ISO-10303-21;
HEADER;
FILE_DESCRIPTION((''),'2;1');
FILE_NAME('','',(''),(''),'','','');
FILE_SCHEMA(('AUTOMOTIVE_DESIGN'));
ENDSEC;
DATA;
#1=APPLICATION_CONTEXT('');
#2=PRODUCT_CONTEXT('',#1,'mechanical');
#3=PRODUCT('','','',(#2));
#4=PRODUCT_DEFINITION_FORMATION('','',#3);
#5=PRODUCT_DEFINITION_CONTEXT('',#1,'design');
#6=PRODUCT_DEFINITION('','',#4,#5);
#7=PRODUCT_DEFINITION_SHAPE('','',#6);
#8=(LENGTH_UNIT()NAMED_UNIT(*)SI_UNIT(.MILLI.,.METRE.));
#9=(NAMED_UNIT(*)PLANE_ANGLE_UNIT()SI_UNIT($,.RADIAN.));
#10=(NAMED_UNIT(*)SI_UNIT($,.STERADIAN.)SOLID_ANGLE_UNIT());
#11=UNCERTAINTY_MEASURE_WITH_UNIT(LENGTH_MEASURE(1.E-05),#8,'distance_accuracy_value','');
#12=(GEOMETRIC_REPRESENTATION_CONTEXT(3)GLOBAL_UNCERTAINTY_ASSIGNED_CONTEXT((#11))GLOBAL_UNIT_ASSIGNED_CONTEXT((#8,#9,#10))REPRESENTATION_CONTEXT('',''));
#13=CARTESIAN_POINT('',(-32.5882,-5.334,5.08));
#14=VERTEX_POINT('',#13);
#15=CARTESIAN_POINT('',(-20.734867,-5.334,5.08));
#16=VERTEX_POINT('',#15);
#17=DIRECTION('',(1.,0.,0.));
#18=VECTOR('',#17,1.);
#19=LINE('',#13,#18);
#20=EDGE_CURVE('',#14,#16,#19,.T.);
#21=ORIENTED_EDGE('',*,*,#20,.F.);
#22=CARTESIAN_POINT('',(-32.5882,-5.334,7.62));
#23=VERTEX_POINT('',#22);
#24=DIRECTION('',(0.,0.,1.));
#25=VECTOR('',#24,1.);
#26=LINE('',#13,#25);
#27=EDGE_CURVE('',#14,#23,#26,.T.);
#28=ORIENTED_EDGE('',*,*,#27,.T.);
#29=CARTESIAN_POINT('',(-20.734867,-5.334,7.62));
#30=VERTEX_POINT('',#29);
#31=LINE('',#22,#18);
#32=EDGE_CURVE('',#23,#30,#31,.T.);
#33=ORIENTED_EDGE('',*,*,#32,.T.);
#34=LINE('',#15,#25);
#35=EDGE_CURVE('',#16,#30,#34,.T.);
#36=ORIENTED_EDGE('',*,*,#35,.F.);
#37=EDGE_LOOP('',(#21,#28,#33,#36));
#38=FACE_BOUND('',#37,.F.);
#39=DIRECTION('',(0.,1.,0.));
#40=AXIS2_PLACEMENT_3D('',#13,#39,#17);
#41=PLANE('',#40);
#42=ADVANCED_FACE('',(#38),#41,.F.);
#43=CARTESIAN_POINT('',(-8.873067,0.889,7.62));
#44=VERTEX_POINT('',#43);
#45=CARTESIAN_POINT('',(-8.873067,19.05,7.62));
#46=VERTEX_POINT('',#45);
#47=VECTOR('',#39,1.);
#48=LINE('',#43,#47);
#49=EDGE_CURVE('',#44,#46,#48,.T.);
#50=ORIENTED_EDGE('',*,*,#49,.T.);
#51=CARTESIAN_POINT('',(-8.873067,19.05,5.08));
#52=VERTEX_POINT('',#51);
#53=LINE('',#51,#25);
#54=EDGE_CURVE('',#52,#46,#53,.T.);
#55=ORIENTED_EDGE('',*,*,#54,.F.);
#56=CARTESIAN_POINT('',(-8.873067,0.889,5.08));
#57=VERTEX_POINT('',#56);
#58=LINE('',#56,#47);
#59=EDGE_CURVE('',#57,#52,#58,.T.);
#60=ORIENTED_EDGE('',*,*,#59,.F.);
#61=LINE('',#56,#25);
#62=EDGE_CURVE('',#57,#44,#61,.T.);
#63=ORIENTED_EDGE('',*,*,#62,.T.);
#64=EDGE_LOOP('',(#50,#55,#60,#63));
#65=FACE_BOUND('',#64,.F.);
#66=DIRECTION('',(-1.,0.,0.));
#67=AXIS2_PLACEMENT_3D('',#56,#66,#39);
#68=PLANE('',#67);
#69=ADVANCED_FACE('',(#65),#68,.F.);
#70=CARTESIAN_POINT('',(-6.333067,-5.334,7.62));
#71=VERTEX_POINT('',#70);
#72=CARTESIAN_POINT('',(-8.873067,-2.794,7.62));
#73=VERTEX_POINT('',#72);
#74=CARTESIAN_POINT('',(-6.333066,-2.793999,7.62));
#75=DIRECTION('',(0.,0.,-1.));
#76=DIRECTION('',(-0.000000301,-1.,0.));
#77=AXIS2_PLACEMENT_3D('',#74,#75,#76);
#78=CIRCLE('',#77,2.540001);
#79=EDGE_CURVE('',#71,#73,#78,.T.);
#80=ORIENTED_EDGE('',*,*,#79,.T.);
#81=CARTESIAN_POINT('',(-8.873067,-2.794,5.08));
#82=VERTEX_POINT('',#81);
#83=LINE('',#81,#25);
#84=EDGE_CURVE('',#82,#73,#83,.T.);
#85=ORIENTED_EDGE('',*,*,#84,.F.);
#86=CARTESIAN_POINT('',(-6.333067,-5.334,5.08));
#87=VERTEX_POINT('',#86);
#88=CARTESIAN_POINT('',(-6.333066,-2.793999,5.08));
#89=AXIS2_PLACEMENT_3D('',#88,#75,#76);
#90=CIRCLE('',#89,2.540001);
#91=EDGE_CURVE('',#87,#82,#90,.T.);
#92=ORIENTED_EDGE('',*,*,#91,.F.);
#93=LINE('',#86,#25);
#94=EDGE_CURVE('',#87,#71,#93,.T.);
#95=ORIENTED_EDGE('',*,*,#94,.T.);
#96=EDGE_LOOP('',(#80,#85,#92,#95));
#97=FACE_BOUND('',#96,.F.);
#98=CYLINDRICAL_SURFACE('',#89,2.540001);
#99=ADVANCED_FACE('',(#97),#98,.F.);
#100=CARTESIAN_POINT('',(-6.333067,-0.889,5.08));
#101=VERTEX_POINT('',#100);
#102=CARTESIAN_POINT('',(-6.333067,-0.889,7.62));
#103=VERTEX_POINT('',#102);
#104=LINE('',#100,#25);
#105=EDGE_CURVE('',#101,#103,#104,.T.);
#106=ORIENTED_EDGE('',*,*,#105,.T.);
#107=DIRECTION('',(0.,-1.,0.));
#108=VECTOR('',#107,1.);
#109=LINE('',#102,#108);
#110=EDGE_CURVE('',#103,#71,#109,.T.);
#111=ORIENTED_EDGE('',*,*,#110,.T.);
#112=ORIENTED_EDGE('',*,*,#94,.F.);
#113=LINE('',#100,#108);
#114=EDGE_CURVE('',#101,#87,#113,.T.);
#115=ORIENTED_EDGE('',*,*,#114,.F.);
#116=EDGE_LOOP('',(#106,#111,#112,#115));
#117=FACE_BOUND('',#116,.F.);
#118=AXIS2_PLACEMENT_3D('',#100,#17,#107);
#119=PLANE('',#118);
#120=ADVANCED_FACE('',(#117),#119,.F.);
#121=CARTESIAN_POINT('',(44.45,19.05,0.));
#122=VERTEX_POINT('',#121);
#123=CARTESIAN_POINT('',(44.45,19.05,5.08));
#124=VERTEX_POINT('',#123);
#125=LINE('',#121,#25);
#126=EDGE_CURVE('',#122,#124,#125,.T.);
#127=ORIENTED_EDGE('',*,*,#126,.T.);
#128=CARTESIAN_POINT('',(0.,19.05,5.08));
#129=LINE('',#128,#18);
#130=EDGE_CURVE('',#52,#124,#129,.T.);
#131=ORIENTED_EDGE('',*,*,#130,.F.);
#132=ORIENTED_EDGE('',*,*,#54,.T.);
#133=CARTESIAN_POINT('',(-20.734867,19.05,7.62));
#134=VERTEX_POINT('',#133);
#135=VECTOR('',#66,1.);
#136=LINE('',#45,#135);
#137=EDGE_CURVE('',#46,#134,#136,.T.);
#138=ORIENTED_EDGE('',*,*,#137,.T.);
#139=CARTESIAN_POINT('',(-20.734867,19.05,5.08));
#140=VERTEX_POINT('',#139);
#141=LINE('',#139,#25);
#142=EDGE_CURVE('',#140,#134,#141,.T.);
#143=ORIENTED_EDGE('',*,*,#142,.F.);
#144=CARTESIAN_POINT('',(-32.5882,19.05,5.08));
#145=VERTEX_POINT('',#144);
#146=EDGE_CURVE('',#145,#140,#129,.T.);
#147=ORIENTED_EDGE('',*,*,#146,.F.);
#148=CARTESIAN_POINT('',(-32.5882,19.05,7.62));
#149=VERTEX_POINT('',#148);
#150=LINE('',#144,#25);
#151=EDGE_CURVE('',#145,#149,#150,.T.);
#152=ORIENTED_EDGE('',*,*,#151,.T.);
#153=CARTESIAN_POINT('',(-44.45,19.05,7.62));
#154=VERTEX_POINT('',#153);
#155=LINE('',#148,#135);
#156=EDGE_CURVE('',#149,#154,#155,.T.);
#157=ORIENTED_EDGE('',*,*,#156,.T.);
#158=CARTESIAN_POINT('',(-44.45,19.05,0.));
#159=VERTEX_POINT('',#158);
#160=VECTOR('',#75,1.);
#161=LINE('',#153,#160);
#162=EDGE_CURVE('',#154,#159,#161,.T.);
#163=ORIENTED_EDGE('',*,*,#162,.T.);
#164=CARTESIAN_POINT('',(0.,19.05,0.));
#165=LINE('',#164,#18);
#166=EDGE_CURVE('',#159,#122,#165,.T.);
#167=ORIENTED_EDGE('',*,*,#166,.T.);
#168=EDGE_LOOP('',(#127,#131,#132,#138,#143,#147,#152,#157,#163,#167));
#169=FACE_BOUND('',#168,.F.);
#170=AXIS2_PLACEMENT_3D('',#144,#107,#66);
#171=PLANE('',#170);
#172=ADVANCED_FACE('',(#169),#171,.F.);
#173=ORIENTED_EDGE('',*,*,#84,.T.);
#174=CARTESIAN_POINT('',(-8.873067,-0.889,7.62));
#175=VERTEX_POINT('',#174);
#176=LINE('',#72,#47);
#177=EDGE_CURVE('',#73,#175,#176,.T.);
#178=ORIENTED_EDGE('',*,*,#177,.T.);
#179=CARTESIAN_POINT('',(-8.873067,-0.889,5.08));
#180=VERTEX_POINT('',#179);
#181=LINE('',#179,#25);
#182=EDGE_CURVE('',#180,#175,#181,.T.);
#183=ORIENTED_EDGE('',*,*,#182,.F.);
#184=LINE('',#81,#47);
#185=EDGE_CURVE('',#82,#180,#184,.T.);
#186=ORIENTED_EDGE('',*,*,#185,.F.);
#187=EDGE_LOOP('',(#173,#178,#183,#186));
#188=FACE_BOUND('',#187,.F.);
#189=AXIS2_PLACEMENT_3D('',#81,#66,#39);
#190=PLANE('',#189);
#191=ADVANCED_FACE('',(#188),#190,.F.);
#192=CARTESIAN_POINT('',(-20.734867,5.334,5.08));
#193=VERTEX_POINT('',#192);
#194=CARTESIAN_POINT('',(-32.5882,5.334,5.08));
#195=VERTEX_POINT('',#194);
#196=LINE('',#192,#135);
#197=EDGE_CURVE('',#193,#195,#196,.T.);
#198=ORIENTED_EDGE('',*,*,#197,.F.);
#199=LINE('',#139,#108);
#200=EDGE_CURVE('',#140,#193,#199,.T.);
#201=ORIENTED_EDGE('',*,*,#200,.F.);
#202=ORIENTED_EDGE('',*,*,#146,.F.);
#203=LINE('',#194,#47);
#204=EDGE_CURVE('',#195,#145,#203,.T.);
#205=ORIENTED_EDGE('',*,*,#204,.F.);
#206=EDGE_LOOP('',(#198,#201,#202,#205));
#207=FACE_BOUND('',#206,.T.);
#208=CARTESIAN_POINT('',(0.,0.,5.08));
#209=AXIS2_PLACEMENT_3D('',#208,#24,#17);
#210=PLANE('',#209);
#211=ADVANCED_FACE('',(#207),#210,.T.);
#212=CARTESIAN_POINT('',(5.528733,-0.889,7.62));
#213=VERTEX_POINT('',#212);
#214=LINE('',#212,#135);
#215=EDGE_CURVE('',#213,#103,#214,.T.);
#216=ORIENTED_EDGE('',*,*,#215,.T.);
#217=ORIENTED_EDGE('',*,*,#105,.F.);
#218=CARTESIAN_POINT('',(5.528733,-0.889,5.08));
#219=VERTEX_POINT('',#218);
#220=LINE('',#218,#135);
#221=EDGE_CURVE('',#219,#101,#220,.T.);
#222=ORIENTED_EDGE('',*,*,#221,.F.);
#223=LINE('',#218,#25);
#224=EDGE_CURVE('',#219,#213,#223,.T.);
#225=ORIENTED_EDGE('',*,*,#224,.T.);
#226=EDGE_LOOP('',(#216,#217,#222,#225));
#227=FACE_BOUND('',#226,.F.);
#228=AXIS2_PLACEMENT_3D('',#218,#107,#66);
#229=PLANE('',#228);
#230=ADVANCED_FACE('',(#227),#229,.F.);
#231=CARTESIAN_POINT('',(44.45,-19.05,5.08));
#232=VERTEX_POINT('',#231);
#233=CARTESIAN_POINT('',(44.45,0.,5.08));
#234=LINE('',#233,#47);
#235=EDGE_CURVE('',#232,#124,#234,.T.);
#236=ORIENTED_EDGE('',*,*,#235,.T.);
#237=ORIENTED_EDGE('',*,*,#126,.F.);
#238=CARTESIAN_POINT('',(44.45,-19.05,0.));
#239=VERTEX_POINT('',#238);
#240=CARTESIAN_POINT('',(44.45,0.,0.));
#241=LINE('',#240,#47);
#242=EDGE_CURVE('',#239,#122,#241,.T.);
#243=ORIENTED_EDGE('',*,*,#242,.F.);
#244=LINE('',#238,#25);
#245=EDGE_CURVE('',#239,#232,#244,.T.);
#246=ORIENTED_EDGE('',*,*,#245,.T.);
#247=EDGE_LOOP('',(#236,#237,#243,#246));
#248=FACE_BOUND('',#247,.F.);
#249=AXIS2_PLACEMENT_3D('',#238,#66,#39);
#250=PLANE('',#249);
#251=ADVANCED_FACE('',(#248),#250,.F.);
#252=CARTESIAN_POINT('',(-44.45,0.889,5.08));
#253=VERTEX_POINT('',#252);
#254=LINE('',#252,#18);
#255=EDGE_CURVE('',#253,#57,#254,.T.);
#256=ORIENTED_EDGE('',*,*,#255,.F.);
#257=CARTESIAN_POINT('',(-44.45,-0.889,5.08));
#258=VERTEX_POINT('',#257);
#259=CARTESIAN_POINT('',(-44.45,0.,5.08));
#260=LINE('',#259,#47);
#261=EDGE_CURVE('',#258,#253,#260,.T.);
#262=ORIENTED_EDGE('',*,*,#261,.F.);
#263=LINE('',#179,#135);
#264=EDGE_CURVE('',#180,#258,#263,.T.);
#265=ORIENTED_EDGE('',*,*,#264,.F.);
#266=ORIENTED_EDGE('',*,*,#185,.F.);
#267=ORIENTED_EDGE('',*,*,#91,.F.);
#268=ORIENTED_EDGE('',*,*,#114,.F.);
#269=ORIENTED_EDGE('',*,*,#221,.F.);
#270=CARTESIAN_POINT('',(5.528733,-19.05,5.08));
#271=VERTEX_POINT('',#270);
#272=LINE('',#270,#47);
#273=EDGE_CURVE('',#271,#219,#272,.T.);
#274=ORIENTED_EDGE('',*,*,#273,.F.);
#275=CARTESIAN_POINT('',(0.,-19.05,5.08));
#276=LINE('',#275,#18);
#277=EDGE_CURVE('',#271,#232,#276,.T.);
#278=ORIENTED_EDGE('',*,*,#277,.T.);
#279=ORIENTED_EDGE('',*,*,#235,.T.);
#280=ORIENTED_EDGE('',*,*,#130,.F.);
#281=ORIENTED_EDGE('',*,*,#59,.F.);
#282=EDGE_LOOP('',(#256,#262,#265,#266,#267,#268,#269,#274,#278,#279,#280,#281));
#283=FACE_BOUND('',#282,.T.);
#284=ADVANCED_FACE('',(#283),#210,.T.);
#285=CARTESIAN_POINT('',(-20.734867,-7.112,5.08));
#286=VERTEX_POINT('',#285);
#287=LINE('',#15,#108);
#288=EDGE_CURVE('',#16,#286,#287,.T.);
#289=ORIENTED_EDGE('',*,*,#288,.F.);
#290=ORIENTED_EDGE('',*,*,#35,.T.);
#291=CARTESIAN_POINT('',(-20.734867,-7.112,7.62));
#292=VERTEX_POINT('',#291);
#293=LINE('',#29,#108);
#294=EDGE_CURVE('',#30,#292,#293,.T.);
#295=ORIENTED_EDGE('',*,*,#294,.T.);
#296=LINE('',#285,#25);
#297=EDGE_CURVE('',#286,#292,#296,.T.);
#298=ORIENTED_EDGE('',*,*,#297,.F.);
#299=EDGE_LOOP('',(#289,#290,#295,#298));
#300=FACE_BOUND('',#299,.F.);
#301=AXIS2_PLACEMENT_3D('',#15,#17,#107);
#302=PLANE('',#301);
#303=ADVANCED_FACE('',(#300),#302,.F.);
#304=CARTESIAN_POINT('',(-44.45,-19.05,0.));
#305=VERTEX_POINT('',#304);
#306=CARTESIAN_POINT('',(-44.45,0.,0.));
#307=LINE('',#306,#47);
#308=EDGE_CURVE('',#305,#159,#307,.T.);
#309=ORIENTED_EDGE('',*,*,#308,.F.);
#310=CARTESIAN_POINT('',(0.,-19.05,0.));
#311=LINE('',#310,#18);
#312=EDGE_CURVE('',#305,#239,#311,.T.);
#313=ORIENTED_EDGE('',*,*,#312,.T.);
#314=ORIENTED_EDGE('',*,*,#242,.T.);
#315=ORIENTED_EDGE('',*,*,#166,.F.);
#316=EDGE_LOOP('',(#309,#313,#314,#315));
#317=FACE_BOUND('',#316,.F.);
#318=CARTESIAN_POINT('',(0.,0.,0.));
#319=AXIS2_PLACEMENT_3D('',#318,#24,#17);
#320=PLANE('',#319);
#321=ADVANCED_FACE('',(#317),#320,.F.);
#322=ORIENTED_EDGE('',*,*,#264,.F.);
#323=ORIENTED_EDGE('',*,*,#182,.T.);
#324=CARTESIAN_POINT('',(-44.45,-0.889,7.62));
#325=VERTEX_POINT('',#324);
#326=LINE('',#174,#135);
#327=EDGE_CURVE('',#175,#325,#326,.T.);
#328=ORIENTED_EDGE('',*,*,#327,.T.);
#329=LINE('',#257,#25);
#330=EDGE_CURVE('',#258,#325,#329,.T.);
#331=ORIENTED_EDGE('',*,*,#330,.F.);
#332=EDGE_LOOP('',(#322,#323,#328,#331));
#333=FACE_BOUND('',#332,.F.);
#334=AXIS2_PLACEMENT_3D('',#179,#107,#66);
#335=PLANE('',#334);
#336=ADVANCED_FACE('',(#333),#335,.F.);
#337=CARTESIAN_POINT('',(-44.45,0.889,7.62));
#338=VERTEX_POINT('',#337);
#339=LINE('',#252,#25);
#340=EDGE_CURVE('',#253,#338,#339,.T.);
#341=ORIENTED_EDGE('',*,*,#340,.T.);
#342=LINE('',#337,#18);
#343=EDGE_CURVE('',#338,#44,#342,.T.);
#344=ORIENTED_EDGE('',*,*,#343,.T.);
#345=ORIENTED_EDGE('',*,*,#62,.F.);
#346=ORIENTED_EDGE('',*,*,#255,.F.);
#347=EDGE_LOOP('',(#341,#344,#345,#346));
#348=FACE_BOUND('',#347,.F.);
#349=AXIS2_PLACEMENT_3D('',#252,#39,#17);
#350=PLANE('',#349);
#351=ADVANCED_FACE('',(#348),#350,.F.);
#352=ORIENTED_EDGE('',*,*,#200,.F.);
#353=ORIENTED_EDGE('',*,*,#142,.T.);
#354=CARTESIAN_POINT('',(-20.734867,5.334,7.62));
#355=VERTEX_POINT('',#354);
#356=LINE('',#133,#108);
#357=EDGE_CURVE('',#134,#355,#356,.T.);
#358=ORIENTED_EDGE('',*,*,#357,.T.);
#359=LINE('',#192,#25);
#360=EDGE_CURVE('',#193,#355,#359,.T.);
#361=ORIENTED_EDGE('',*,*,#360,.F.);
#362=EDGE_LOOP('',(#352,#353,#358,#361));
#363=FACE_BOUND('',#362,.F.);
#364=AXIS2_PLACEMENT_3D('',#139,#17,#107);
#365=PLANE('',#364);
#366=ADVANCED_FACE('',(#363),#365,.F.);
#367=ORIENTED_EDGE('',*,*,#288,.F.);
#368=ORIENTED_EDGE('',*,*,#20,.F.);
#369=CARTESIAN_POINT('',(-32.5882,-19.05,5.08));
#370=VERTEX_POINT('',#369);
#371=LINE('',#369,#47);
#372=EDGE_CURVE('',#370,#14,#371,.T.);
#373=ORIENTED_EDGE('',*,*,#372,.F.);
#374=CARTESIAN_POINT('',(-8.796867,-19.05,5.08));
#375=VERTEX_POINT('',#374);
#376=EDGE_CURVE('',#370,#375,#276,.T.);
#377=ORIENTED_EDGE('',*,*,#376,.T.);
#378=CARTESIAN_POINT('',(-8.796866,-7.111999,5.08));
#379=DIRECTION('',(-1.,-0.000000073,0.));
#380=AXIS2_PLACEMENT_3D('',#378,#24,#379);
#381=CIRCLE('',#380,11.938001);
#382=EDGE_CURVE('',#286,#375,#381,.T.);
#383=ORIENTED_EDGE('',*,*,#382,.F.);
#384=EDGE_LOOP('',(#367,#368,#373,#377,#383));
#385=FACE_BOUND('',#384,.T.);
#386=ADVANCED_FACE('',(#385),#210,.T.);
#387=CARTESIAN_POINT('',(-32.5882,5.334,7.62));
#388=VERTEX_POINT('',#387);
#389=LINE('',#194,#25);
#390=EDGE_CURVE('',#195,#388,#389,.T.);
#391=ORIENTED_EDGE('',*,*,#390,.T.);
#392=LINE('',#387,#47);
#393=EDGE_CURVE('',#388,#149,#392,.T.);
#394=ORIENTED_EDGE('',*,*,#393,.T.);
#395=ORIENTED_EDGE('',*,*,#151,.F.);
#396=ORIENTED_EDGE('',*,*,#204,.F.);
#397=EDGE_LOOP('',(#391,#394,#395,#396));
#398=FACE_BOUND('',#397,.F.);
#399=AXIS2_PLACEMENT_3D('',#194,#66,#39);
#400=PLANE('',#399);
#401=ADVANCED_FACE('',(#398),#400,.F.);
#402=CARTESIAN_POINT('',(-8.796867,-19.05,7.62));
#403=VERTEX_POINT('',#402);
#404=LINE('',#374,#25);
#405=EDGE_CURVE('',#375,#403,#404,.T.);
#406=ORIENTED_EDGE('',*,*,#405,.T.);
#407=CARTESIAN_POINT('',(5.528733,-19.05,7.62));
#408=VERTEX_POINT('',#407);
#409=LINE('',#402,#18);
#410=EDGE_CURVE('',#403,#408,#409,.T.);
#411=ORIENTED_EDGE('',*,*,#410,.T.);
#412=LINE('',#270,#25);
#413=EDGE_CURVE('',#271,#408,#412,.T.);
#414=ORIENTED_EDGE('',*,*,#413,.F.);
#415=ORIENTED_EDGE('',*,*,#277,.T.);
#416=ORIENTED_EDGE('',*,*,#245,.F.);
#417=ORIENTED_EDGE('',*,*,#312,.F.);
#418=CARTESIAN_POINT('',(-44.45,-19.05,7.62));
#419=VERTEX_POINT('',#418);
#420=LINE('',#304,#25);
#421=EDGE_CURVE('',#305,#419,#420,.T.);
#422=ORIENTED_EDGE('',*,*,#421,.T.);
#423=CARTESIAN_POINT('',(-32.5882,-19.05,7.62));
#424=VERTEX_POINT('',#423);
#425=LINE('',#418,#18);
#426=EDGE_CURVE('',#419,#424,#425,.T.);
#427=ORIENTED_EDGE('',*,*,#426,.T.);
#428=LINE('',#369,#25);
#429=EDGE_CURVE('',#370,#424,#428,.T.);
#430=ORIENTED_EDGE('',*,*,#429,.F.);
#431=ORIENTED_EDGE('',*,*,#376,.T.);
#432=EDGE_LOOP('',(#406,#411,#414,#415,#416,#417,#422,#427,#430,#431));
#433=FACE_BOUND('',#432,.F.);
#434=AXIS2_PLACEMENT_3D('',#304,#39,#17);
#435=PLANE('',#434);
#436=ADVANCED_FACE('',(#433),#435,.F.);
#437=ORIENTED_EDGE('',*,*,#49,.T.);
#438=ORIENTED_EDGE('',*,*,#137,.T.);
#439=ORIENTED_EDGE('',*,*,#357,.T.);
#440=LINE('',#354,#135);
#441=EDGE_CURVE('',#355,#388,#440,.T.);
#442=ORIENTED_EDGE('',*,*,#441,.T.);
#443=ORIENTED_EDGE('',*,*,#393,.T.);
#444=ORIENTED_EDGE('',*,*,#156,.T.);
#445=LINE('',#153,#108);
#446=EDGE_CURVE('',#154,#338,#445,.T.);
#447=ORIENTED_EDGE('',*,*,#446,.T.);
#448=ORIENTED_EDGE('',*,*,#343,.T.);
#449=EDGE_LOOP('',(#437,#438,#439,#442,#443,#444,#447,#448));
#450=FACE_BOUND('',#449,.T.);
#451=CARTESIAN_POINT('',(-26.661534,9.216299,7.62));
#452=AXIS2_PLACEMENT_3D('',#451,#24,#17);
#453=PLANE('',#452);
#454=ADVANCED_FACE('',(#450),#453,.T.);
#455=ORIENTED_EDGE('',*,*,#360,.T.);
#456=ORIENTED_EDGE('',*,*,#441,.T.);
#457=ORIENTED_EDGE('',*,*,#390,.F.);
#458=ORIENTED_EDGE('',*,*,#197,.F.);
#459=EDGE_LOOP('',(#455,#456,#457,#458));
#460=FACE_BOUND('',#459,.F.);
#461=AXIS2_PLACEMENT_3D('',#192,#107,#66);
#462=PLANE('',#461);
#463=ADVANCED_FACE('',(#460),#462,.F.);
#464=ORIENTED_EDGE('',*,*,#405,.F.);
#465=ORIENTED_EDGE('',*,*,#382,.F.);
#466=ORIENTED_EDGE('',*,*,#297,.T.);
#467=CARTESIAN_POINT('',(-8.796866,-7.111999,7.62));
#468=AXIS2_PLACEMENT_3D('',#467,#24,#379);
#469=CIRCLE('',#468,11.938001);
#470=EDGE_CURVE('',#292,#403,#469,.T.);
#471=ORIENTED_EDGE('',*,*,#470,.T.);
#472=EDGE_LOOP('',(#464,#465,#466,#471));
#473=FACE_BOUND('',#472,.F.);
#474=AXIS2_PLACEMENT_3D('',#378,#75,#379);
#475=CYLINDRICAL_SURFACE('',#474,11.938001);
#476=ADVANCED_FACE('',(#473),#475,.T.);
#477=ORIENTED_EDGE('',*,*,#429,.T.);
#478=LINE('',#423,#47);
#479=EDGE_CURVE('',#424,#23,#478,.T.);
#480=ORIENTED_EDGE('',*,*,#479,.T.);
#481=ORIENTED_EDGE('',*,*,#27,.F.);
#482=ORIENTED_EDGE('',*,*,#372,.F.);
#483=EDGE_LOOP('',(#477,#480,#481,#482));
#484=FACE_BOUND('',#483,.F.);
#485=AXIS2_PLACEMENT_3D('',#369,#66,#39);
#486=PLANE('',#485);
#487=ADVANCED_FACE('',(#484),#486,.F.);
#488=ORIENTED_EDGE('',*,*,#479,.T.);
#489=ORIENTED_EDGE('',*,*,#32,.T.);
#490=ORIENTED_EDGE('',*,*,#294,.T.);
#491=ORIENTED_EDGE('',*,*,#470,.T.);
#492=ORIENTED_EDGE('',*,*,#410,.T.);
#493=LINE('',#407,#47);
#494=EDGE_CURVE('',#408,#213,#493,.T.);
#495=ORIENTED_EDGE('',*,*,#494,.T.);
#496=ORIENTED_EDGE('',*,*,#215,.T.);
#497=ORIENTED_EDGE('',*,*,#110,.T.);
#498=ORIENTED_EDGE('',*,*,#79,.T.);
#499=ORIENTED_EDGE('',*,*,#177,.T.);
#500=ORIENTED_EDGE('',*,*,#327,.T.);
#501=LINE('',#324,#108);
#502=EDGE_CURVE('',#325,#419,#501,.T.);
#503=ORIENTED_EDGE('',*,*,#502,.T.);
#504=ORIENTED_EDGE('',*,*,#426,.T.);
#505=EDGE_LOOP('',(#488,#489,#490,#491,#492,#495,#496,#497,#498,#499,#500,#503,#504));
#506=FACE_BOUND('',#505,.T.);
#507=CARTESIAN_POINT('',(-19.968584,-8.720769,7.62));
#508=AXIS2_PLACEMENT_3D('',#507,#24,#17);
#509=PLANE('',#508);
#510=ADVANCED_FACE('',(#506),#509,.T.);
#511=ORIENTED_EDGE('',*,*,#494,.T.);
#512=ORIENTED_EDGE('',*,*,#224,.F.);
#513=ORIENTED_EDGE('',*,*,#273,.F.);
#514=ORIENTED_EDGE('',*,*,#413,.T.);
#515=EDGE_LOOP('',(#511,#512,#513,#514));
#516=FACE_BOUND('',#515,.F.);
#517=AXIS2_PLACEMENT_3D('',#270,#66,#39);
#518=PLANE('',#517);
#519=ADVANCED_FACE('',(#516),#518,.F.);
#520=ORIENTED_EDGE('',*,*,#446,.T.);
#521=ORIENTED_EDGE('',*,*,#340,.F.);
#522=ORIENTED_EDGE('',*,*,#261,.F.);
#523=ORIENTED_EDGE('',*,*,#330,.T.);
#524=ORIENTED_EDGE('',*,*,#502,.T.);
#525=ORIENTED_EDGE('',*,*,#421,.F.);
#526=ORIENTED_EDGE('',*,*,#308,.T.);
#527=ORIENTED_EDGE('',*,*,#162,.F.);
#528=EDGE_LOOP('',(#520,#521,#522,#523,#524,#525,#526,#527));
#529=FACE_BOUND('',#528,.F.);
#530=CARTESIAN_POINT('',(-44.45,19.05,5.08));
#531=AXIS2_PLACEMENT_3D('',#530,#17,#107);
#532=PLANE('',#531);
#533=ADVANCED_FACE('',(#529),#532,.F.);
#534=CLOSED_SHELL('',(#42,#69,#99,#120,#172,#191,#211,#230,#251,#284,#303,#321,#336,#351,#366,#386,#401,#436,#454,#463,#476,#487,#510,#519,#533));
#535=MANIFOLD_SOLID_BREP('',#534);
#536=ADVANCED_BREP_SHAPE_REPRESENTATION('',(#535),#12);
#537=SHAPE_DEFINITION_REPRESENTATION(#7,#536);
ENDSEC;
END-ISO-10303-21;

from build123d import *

# Parameters (mm, degrees)
F0_W     = 88.9
F0_H     = 38.1
F1_DEPTH = 5.08
F3_DEPTH = 2.54


with BuildPart() as f1:
    # F0 (on Top) → F1 (new body)
    with BuildSketch(Plane.XY):
        Rectangle(F0_W, F0_H)
    extrude(amount=F1_DEPTH)

    # F2 (on face) → F3 (join)
    with BuildSketch(Plane.XY.offset(5.08)):
        Polygon((-44.45, 19.05), (-44.45, 16.51), (-44.45, 0.889), (-36.171958, 0.889), (-8.873067, 0.889), (-8.873067, 16.51), (-8.873067, 19.05), (-11.413067, 19.05), (-20.734867, 19.05), (-20.734867, 5.334), (-32.5882, 5.334), (-32.5882, 19.05), (-41.91, 19.05), align=None)
        with BuildLine():
            Line((-8.873067, -0.889), (-44.45, -0.889))
            Line((-44.45, -0.889), (-44.45, -19.05))
            Line((-44.45, -19.05), (-32.5882, -19.05))
            Line((-32.5882, -19.05), (-32.5882, -5.334))
            Line((-32.5882, -5.334), (-20.734867, -5.334))
            Line((-20.734867, -5.334), (-20.734867, -7.112))
            ThreePointArc((-20.734867, -7.112), (-17.238307, -15.553441), (-8.796867, -19.05))
            Line((-8.796867, -19.05), (5.528733, -19.05))
            Line((5.528733, -19.05), (5.528733, -0.889))
            Line((5.528733, -0.889), (-6.333067, -0.889))
            Line((-6.333067, -0.889), (-6.333067, -5.334))
            ThreePointArc((-6.333067, -5.334), (-8.129118, -4.590051), (-8.873067, -2.794))
            Line((-8.873067, -2.794), (-8.873067, -0.889))
        make_face()
    extrude(amount=F3_DEPTH)


solid = f1.part
